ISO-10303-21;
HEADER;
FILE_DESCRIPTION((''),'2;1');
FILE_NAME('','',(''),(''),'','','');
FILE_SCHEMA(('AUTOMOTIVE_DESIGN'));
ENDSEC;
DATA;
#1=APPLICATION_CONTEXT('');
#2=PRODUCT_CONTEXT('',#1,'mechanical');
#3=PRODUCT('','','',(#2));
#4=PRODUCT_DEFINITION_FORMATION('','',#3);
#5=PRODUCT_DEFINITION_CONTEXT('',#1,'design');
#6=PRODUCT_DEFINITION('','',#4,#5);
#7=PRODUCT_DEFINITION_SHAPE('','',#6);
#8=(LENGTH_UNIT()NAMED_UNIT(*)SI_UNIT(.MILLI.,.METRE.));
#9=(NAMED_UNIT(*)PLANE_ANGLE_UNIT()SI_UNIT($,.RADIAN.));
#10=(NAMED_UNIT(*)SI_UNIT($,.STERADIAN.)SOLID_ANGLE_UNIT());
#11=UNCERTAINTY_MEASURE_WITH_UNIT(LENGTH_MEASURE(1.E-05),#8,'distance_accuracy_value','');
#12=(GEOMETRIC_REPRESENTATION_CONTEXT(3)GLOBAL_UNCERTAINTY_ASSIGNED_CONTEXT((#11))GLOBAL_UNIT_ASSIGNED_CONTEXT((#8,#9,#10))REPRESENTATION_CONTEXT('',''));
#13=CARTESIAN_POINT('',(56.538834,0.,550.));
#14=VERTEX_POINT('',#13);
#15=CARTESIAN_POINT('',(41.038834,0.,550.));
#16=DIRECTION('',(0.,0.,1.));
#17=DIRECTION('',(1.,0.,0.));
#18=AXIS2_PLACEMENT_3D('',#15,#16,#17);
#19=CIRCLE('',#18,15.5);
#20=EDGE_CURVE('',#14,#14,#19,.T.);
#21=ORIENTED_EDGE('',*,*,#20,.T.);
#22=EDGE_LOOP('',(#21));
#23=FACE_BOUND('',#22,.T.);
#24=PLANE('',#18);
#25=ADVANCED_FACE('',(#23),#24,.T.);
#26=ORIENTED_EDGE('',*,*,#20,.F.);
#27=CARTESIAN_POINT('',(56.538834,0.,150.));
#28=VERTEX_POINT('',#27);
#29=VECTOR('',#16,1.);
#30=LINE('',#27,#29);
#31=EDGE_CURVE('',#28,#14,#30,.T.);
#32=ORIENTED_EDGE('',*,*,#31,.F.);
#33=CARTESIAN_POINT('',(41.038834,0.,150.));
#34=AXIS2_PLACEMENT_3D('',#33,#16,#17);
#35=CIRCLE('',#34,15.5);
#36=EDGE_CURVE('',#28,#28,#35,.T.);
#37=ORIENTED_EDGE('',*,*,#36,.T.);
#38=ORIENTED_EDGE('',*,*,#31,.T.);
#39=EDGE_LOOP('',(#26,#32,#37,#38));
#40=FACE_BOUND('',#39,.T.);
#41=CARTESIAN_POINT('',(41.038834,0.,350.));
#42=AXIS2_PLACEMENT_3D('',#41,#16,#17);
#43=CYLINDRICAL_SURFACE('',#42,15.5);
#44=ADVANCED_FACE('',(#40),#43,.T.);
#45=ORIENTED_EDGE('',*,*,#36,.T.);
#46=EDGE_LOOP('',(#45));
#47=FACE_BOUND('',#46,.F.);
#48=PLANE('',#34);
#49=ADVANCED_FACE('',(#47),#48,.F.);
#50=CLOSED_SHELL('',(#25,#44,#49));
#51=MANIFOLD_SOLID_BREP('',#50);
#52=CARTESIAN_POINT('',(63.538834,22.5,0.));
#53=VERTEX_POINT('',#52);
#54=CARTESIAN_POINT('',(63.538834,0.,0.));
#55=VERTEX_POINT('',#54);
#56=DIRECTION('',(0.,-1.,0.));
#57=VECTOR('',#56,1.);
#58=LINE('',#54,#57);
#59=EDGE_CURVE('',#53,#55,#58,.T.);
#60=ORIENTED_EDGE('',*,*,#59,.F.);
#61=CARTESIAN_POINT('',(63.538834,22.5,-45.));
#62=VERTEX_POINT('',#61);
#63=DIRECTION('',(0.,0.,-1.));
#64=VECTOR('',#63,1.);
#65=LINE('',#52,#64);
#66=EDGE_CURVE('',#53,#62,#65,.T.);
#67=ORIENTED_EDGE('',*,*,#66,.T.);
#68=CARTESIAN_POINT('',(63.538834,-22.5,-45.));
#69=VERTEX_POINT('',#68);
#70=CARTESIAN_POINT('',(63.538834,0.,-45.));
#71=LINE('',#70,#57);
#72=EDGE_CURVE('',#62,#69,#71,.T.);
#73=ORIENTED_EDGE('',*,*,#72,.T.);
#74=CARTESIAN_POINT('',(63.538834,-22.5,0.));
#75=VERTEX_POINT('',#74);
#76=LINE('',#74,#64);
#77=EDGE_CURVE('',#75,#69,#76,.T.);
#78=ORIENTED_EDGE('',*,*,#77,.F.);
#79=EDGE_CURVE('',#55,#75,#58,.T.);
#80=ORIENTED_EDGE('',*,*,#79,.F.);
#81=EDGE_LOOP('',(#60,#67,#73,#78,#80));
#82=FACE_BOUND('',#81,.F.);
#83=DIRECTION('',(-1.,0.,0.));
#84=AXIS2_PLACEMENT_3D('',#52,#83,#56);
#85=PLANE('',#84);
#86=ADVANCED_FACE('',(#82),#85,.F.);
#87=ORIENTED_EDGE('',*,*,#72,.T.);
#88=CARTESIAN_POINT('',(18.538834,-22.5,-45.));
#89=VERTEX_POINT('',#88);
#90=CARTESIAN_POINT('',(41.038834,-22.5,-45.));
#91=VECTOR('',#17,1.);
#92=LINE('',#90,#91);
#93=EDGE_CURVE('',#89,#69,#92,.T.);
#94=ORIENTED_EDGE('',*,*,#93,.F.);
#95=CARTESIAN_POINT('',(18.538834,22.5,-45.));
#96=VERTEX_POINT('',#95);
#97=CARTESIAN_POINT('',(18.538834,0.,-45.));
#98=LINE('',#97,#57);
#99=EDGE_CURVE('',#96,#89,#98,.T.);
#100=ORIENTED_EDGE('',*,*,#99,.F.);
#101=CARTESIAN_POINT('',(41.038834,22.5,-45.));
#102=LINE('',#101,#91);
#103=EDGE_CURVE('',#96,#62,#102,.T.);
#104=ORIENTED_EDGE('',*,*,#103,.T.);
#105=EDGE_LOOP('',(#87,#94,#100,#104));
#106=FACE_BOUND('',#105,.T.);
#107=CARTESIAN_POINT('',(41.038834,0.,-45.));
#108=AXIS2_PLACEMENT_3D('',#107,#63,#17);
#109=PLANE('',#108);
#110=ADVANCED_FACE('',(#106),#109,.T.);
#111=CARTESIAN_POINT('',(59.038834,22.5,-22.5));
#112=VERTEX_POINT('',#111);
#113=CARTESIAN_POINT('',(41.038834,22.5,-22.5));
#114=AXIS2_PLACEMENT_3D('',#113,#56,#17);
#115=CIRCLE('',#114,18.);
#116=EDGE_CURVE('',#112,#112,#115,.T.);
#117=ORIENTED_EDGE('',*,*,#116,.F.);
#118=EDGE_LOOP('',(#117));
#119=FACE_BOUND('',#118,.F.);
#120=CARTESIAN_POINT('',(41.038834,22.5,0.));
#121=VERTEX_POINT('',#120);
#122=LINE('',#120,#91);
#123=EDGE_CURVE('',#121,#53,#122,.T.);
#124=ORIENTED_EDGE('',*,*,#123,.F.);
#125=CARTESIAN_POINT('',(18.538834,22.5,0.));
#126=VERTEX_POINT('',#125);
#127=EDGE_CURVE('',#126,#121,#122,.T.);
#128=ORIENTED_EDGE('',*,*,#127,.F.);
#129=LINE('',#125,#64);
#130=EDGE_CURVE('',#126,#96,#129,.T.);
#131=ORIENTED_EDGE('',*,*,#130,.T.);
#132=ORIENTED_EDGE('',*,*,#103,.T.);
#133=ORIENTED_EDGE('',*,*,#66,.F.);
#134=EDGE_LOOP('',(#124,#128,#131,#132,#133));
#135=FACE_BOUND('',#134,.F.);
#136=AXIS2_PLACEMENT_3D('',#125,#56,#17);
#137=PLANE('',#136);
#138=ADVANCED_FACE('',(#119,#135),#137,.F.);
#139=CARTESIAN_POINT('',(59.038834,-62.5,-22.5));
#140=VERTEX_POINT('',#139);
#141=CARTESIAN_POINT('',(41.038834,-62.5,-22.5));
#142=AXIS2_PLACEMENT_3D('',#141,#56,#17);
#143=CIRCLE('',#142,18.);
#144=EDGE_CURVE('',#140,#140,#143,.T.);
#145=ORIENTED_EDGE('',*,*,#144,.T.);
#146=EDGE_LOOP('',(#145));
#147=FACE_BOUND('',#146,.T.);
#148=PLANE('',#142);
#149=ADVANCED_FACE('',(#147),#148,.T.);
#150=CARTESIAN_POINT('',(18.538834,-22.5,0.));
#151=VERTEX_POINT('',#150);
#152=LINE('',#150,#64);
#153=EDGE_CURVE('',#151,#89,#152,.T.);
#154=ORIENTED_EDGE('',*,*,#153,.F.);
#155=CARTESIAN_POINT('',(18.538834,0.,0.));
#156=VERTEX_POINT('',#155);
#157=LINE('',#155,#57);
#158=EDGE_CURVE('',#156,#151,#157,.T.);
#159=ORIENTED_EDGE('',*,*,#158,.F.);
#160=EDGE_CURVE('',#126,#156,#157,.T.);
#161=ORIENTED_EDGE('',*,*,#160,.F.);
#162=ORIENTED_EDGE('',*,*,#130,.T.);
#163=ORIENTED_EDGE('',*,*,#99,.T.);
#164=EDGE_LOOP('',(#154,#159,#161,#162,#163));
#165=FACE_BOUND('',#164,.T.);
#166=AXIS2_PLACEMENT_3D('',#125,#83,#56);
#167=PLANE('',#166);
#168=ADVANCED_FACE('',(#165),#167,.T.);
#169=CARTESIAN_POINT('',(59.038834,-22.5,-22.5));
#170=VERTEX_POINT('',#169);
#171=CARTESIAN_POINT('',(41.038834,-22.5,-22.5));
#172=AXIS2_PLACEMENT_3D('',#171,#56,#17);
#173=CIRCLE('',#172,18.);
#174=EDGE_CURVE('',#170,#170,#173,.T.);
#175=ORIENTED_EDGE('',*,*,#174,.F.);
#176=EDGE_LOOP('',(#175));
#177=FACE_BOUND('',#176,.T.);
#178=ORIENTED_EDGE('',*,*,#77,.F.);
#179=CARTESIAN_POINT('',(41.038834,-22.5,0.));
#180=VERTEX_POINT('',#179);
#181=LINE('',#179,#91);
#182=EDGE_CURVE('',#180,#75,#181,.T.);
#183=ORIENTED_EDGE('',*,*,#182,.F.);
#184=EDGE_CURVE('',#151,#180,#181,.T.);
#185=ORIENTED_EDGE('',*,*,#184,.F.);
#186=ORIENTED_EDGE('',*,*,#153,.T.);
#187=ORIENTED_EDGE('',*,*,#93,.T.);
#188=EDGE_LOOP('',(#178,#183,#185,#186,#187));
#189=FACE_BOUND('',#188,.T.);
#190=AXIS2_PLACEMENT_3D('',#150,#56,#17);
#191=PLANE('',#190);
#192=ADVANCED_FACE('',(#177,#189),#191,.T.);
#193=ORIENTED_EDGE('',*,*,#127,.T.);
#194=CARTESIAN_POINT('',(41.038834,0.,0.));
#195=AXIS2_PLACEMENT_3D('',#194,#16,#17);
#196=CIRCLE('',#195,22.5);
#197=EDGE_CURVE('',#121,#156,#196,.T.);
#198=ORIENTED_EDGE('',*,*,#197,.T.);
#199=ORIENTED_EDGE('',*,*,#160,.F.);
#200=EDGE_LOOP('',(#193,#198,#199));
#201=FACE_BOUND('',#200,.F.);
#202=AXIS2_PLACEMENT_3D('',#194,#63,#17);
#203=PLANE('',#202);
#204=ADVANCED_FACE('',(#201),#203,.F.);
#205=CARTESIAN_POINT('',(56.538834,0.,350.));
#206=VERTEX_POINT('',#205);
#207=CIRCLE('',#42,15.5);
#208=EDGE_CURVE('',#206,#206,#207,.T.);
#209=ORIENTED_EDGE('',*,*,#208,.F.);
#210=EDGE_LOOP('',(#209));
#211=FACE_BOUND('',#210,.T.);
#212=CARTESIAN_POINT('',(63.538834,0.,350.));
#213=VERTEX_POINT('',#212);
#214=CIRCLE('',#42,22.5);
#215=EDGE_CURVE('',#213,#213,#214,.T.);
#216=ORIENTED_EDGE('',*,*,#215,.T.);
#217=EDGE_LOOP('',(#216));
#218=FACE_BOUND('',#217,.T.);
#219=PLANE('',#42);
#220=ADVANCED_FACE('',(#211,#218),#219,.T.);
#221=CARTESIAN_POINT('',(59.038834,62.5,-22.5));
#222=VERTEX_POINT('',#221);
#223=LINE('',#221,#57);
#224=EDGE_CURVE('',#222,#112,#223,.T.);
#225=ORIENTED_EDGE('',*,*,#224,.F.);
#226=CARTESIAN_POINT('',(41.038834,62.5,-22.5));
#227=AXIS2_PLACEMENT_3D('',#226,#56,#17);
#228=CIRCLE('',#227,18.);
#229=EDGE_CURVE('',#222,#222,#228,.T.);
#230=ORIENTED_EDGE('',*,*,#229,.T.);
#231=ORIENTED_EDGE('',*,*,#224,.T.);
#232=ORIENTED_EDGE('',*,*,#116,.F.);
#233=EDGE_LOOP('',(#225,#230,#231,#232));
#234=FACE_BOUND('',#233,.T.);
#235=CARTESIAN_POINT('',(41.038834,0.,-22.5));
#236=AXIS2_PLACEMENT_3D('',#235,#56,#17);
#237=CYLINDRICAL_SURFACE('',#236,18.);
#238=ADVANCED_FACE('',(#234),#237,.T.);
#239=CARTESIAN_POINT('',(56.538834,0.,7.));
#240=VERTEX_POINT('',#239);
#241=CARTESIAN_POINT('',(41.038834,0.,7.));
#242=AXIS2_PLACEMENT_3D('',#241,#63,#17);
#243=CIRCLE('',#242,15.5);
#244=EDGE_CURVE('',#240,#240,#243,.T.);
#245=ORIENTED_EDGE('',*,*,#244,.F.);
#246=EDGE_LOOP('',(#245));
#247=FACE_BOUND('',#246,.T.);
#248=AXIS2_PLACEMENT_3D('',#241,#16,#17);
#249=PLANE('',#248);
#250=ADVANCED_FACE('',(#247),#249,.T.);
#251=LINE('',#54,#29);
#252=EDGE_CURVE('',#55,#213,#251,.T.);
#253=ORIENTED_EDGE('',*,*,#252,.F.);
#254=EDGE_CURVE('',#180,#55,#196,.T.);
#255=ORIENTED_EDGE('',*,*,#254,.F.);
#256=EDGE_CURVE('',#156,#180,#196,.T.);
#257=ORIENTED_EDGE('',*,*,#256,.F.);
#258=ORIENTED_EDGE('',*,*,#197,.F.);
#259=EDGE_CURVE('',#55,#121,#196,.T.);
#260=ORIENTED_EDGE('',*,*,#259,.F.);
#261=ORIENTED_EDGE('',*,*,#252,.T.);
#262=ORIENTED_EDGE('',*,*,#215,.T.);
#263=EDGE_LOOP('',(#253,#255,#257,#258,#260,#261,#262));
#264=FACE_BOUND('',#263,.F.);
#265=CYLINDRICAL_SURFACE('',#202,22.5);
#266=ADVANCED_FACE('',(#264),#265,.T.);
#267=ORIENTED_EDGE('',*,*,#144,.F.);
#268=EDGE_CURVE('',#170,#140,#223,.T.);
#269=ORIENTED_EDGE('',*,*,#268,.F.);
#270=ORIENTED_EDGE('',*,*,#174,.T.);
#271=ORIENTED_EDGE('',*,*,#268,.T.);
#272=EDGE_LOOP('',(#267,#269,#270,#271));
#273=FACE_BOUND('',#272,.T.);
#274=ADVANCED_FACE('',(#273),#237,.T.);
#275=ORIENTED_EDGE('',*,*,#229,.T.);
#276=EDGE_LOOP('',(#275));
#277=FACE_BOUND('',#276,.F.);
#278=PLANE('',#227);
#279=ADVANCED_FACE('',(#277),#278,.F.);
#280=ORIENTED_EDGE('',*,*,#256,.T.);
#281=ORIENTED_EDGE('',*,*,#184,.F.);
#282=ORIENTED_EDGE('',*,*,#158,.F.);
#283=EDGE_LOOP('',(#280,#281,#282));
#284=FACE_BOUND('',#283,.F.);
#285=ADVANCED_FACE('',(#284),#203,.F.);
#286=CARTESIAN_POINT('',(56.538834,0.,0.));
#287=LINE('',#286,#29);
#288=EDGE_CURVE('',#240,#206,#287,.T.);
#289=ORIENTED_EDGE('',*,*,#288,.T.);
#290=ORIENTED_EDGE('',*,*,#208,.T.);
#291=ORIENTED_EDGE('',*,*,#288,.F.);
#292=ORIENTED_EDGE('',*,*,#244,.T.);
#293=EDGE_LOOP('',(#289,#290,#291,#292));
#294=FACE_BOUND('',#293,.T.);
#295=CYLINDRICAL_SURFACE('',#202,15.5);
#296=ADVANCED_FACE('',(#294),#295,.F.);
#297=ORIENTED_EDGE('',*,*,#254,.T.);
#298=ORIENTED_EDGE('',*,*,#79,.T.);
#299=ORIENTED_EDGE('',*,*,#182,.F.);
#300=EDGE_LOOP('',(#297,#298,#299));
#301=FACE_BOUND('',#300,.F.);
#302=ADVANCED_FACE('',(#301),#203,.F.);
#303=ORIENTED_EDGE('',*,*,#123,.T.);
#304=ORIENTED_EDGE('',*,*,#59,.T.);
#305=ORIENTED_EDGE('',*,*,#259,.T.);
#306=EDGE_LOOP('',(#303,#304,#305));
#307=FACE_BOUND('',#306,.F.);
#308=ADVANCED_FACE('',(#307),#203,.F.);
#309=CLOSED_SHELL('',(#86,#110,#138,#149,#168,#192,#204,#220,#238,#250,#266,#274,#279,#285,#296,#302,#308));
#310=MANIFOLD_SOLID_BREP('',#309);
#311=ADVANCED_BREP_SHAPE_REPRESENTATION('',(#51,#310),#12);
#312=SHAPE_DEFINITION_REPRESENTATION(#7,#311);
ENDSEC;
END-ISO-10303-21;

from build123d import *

# Parameters (mm, degrees)
F0_R     = 22.5
F1_DEPTH = 350
F2_T     = -7
F3_R     = 15.5
F4_DEPTH = 200
F5_W     = 45
F5_H     = 45
F6_DEPTH = 45
F7_R     = 18
F8_DEPTH = 62.5


with BuildPart() as f1:
    # F0 (on Top) → F1 (new body)
    with BuildSketch(Plane.XY):
        with Locations((41.038834, 0)):
            Circle(F0_R)
    extrude(amount=F1_DEPTH)

    # F2
    f2_openings = [f1.faces().sort_by_distance(p)[0] for p in [
        (41.038834, 0, 350),
    ]]
    offset(amount=F2_T, openings=f2_openings)

    # F5 (on face) → F6 (join)
    with BuildSketch(Plane(origin=(0, 0, 0), x_dir=(1, 0, 0), z_dir=(0, 0, -1))):
        with Locations((41.038834, 0)):
            Rectangle(F5_W, F5_H)
    extrude(amount=F6_DEPTH)

    # F7 (on Front) → F8 (join, symmetric)
    with BuildSketch(Plane.XZ):
        with Locations((41.038834, -22.5)):
            Circle(F7_R)
    extrude(amount=F8_DEPTH, both=True)


with BuildPart() as f4:
    # F3 (on face) → F4 (new body, symmetric)
    with BuildSketch(Plane.XY.offset(350)):
        with Locations((41.038834, 0)):
            Circle(F3_R)
    extrude(amount=F4_DEPTH, both=True)


solid = Compound([f1.part, f4.part])
